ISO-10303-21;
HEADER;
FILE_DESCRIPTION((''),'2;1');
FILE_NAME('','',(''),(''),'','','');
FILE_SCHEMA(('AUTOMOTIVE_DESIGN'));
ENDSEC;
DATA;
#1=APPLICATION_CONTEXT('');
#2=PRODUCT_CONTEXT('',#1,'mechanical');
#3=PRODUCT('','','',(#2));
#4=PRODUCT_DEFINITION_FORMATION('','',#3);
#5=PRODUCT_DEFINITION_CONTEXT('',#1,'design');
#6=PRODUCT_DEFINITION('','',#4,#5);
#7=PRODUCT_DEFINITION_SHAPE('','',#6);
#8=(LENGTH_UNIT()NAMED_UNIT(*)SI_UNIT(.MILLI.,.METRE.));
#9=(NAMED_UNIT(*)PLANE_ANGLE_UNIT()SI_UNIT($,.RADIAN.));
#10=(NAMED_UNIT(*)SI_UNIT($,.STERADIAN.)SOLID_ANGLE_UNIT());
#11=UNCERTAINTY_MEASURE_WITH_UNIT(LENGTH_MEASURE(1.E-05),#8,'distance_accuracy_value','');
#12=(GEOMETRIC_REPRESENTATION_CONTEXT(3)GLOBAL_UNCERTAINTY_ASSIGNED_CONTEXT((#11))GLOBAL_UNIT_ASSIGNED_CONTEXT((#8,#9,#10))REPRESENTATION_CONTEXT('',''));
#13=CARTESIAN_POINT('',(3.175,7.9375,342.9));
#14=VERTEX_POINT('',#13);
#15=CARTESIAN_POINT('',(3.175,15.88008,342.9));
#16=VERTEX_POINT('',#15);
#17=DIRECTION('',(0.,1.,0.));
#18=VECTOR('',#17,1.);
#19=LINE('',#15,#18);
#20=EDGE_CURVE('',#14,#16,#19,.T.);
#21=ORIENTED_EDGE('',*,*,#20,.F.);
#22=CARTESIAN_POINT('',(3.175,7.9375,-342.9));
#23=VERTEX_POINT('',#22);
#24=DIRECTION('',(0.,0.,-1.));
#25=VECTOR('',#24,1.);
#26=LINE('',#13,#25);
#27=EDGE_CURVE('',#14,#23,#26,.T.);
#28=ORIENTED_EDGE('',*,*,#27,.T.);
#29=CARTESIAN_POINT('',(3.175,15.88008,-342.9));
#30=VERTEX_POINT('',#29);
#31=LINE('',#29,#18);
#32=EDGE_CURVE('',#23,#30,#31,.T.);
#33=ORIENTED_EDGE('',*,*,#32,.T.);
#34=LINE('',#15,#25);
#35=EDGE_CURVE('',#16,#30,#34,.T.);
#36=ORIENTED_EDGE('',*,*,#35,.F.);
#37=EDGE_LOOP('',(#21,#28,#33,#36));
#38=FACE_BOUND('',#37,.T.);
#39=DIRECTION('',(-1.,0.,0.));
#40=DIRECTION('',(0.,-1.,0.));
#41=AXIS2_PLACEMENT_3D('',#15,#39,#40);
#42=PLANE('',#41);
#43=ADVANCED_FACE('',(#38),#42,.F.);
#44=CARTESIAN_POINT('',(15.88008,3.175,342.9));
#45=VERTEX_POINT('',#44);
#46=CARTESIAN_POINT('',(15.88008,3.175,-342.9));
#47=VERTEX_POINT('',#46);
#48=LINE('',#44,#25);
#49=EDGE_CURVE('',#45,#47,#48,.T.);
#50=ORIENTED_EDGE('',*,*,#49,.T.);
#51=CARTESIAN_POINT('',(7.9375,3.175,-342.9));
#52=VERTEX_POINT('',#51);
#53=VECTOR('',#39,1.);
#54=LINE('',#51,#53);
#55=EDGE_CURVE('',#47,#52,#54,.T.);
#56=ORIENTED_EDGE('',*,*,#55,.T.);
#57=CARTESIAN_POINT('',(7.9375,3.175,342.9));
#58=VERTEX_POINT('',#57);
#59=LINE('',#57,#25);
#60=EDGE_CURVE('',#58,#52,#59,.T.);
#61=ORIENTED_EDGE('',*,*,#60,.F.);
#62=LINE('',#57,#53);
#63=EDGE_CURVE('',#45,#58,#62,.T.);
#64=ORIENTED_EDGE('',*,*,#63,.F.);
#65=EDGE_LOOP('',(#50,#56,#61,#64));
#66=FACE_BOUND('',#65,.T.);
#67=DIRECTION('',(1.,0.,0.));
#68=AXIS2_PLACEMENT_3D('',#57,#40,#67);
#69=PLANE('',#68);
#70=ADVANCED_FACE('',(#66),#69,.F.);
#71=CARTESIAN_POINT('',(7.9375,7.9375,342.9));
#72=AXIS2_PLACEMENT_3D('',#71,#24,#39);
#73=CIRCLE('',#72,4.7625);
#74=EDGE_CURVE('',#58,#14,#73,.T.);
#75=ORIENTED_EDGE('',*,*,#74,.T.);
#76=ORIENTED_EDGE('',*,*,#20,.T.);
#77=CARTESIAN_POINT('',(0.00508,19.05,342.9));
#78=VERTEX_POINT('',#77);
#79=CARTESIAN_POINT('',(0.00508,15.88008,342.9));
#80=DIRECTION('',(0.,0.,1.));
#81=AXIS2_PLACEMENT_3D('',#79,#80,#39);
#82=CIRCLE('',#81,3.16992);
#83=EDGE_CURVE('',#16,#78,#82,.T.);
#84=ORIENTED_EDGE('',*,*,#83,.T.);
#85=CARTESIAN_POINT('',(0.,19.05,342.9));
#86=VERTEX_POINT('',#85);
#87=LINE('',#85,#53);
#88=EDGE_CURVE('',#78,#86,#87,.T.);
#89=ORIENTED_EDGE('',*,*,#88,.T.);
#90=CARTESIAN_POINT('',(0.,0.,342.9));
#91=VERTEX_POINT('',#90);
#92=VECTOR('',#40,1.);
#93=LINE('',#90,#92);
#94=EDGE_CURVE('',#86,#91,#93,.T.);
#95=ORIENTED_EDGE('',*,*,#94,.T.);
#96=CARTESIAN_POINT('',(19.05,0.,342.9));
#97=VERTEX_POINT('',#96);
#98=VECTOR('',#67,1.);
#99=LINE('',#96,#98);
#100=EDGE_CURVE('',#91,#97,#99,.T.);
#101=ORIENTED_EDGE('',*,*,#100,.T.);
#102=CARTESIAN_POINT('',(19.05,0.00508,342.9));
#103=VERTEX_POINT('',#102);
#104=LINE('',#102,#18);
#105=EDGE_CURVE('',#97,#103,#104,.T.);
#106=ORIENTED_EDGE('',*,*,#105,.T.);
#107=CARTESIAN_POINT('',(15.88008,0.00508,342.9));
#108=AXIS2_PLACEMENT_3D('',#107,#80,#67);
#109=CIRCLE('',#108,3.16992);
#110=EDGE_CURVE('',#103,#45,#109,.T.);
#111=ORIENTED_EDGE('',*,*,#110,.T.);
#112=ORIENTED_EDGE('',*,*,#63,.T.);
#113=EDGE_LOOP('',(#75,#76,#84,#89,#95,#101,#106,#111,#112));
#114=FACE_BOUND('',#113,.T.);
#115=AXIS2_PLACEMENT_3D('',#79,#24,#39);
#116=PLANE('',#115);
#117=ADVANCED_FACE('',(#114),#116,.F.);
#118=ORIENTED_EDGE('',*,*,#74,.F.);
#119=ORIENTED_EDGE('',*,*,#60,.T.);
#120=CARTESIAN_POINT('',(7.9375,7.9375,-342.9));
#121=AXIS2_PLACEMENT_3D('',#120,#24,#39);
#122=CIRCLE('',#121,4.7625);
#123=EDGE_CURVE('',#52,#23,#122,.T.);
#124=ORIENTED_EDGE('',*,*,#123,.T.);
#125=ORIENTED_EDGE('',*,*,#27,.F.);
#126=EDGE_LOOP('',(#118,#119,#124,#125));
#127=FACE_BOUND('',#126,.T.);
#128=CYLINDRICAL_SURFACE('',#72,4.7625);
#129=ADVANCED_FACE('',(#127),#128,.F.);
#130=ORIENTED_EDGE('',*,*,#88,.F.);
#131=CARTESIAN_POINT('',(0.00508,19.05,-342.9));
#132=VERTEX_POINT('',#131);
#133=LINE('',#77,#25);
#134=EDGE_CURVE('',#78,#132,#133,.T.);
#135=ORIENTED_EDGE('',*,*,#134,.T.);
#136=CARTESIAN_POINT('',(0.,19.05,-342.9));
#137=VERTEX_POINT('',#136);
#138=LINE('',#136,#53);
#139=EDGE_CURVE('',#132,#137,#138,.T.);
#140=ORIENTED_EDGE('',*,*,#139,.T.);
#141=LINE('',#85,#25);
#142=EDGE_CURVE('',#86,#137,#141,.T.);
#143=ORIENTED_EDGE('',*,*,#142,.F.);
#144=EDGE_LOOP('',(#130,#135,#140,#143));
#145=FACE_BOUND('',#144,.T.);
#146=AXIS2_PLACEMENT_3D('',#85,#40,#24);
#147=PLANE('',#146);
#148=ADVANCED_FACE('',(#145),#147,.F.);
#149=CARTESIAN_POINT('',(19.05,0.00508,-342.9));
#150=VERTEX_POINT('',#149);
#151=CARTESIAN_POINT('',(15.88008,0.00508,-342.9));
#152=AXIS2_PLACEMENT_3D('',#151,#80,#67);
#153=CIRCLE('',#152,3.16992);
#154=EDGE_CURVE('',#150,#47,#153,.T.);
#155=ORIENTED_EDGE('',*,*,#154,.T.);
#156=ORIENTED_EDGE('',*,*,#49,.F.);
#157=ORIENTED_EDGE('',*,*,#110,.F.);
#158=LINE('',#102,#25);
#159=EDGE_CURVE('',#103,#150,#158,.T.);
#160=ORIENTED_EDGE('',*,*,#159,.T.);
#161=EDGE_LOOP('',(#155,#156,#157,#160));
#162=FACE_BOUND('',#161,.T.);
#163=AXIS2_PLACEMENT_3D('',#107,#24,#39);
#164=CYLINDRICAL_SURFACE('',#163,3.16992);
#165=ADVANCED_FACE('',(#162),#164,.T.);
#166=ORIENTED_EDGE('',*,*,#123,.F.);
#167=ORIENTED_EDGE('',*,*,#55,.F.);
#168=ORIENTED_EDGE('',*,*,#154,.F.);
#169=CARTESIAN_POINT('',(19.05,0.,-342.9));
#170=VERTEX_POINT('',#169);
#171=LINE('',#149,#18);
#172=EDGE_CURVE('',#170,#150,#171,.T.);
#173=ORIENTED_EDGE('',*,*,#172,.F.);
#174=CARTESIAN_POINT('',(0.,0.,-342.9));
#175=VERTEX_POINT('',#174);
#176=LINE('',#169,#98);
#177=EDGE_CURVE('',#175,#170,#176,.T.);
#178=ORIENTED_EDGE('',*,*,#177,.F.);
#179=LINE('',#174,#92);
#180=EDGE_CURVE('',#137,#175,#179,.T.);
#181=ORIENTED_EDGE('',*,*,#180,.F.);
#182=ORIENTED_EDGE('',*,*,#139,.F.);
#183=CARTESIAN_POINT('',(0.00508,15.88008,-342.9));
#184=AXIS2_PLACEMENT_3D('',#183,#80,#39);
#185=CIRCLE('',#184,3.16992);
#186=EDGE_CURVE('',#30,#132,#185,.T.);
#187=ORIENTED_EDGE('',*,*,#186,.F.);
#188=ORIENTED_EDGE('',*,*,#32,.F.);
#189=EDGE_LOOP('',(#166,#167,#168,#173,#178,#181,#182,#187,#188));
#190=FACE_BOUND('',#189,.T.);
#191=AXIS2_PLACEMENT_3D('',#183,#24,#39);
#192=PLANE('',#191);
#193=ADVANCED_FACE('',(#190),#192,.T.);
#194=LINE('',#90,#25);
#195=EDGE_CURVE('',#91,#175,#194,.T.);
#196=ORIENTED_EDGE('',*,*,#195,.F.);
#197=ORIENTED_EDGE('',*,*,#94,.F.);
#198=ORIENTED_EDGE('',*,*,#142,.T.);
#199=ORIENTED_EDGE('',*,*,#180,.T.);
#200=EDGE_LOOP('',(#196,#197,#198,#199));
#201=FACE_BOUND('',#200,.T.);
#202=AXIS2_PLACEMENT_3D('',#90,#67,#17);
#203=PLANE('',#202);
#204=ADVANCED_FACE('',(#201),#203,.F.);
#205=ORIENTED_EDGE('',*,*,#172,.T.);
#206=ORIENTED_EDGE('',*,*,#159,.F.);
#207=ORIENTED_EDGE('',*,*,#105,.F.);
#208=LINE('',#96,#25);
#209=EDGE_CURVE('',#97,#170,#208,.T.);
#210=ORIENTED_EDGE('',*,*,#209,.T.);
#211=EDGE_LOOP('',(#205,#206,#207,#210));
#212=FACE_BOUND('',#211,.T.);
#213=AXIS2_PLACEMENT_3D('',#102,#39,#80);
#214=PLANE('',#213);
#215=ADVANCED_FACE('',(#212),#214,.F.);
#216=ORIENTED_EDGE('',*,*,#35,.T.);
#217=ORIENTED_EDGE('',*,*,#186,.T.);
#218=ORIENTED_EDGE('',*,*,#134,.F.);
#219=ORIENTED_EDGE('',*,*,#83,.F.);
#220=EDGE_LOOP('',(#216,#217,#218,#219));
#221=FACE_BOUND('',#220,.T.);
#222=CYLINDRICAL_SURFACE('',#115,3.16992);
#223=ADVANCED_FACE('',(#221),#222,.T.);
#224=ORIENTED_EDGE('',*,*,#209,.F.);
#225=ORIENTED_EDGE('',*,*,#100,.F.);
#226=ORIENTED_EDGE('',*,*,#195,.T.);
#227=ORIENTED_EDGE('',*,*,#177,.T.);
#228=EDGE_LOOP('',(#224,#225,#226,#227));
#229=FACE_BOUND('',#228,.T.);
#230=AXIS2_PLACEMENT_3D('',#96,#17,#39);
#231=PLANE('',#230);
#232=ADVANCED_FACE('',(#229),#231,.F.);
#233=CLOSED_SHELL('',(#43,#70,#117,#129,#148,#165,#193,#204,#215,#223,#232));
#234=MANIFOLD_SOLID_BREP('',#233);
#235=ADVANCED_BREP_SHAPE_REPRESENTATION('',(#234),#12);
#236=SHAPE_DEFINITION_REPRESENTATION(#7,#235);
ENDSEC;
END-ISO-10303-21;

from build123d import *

# Parameters (mm, degrees)
BASESTEELANGLE_DEPTH = 342.9


with BuildPart() as part:
    # Sketch1 → BaseSteelAngle (new body, symmetric)
    with BuildSketch(Plane.XY):
        with BuildLine():
            Line((0, 0), (0, 19.05))
            Line((0, 19.05), (0.00508, 19.05))
            ThreePointArc((0.00508, 19.05), (2.246551928, 18.121551928), (3.175, 15.88008))
            Line((3.175, 15.88008), (3.175, 7.9375))
            ThreePointArc((3.175, 7.9375), (4.569903955, 4.569903955), (7.9375, 3.175))
            Line((7.9375, 3.175), (15.88008, 3.175))
            ThreePointArc((15.88008, 3.175), (18.121551928, 2.246551928), (19.05, 0.00508))
            Line((19.05, 0.00508), (19.05, 0))
            Line((19.05, 0), (0, 0))
        make_face()
    extrude(amount=BASESTEELANGLE_DEPTH, both=True)


solid = part.part
